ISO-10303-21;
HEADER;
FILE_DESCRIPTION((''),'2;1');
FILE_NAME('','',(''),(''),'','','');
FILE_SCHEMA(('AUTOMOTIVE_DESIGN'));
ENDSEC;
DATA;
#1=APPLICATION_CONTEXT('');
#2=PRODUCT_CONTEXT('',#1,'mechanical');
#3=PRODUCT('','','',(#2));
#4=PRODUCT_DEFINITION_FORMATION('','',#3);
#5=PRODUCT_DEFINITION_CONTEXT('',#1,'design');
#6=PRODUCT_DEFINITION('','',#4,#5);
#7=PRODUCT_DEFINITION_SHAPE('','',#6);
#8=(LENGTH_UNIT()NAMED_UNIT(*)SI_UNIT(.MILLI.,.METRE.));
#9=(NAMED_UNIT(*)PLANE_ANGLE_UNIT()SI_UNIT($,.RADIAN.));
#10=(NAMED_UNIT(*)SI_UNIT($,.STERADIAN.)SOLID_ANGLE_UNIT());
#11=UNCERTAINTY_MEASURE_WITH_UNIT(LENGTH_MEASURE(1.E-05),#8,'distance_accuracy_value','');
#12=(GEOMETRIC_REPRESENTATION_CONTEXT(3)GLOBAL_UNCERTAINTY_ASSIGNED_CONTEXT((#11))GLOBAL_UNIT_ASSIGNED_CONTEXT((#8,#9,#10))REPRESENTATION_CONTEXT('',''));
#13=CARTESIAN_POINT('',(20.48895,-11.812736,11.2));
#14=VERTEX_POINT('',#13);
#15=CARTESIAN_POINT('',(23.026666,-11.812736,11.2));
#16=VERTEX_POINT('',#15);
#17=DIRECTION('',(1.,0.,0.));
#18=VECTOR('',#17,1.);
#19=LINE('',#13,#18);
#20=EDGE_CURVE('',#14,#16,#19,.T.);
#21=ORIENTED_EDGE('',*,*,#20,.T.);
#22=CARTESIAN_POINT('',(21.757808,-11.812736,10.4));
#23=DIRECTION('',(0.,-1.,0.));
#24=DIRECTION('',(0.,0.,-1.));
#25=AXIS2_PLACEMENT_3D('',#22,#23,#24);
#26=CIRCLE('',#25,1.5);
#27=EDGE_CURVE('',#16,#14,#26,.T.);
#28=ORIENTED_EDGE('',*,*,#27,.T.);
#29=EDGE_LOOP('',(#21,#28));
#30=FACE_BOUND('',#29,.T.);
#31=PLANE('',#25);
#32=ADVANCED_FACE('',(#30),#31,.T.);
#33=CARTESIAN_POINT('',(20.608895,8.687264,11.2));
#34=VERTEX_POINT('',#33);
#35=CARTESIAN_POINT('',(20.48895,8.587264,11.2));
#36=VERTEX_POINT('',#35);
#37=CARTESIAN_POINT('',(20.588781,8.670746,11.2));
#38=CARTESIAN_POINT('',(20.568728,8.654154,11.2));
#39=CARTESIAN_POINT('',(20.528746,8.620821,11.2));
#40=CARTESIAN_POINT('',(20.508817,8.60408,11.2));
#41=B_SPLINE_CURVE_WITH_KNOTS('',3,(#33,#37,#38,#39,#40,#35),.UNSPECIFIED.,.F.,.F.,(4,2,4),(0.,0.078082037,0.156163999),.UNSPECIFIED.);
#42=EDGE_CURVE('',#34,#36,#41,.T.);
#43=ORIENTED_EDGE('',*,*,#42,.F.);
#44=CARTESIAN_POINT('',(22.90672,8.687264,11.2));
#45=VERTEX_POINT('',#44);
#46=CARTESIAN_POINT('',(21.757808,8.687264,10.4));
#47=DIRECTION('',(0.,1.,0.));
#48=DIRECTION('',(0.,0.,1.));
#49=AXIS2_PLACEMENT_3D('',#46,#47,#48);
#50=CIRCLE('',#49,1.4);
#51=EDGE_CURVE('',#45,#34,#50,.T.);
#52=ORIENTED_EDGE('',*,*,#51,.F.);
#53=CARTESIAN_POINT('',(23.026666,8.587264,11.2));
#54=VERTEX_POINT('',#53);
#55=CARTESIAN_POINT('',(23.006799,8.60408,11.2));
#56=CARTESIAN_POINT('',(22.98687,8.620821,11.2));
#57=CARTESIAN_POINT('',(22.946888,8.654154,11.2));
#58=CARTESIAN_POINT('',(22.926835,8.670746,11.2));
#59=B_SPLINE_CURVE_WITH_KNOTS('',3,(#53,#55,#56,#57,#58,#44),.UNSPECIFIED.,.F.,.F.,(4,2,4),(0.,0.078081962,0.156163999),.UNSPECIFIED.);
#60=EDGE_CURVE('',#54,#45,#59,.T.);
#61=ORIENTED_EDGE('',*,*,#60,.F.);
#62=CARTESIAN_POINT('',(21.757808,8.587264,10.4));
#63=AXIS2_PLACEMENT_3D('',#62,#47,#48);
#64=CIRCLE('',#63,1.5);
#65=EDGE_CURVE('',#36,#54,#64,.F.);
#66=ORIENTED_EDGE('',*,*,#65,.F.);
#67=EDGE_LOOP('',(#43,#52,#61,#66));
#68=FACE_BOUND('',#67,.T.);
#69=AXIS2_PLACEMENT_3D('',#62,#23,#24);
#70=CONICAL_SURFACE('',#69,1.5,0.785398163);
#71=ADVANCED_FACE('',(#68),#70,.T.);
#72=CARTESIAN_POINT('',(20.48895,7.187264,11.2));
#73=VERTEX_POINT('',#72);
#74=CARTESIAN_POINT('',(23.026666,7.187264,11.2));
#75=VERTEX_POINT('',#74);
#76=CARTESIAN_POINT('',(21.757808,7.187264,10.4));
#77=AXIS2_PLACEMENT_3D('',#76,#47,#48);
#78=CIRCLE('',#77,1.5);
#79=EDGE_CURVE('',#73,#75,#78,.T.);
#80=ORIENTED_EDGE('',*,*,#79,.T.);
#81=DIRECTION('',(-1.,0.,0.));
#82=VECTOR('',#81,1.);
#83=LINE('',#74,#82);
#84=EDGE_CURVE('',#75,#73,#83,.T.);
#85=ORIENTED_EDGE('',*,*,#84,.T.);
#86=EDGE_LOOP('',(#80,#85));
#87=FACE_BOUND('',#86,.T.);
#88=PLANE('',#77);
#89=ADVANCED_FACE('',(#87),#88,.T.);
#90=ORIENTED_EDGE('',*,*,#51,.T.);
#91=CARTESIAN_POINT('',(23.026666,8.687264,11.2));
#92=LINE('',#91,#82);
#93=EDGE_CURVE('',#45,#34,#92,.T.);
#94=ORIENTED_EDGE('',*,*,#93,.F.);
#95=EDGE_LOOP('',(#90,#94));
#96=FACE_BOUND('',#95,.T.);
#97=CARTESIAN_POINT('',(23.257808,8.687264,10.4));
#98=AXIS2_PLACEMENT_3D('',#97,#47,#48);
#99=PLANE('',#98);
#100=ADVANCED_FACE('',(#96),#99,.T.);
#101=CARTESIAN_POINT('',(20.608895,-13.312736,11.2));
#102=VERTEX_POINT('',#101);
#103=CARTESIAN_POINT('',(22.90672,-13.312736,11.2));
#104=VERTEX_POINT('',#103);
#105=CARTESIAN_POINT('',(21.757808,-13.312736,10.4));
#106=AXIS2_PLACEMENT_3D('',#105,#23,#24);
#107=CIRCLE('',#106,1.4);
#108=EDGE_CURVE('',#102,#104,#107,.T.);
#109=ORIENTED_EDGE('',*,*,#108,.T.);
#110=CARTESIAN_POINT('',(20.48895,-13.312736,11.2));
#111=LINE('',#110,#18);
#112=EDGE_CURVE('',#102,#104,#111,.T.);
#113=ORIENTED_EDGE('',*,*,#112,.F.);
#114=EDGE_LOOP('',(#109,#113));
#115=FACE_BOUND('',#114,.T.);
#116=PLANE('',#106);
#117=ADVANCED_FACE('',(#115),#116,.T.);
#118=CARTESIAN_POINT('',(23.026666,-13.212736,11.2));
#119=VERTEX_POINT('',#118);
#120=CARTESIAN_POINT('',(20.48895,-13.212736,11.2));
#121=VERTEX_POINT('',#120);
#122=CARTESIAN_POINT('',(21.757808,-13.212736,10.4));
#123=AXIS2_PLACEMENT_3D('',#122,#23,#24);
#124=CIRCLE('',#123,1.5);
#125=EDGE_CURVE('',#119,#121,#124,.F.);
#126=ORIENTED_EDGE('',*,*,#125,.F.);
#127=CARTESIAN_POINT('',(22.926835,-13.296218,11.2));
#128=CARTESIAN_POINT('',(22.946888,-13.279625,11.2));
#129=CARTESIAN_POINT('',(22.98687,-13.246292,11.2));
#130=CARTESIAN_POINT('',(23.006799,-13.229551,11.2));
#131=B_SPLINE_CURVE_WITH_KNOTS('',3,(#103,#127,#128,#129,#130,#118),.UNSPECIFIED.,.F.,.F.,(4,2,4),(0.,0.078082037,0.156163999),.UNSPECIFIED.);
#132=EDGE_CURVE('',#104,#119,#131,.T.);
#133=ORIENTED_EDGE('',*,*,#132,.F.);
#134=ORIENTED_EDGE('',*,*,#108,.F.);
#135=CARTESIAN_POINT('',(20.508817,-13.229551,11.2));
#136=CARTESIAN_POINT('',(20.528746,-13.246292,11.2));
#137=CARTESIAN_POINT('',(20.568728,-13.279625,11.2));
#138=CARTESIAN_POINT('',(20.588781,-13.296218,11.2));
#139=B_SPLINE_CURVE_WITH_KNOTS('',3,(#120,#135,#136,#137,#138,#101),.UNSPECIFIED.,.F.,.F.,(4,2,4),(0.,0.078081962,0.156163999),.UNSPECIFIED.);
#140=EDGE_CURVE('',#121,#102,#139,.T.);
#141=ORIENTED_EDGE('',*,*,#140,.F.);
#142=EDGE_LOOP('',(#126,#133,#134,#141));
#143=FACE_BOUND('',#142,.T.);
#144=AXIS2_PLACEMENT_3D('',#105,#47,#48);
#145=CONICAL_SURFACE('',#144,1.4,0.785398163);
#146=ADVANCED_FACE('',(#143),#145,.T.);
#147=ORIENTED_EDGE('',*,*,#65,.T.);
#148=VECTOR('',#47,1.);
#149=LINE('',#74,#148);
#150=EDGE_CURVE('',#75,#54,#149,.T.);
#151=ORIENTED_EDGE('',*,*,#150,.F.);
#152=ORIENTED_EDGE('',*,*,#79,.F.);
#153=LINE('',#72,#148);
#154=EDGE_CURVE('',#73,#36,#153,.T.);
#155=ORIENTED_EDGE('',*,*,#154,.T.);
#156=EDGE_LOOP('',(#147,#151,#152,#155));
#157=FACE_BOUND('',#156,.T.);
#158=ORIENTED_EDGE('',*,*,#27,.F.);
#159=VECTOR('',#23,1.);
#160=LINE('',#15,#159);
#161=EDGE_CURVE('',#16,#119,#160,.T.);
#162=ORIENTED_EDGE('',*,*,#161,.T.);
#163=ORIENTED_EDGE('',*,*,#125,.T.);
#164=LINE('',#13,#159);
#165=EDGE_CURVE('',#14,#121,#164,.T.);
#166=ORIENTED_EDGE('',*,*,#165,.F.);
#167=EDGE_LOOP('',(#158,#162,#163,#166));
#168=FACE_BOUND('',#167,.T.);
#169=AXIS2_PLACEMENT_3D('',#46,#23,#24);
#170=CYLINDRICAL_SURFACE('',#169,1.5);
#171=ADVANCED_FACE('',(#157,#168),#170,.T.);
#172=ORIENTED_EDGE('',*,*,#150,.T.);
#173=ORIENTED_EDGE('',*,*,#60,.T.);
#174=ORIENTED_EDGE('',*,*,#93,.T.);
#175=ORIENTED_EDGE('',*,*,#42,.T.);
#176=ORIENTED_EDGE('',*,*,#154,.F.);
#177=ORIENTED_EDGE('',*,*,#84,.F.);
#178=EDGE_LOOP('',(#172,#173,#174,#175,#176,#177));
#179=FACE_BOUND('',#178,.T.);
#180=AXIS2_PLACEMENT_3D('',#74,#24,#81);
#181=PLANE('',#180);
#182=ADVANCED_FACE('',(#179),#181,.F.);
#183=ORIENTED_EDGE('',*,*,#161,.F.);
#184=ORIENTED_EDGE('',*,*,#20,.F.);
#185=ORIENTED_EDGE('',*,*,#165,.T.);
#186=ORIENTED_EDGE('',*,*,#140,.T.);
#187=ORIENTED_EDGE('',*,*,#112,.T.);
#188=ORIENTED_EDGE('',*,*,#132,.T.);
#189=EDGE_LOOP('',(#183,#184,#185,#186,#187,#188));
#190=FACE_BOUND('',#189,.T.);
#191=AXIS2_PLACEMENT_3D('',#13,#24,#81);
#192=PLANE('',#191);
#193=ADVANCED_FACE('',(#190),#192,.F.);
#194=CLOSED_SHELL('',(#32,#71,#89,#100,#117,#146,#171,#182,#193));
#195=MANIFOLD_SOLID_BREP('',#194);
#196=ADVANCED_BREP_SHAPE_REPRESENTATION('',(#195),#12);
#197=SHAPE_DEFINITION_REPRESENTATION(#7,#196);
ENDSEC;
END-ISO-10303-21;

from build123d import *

# Parameters (mm, degrees)
ESQUISSE1_W             = 1.5
ESQUISSE1_H             = 22
ENL_V_MAT_EXTRU_1_DEPTH = 1.5
ENL_V_START             = -1.5
ENL_V_MAT_EXTRU_2_DEPTH = 1.5
CHANFREIN1_SIZE         = 0.1
CHANFREIN2_SIZE         = 0.1


with BuildPart() as part:
    # Esquisse1 → Révolution1 (revolve)
    with BuildSketch(Plane.XY.offset(10.4), mode=Mode.PRIVATE) as r_volution1_sk:
        with Locations((22.507807929, -2.312735583)):
            Rectangle(ESQUISSE1_W, ESQUISSE1_H)
    revolve(r_volution1_sk.sketch.rotate(Axis((21.757807929, 8.687264417, 10.4), (0, -1, 0)), 270), axis=Axis((21.757807929, 8.687264417, 10.4), (0, -1, 0)))

    # Esquisse2 → Enlèv. mat.-Extru.1 (cut)
    with BuildSketch(Plane(origin=(0, 8.687264417, 0), x_dir=(-1, 0, 0), z_dir=(0, 1, 0))):
        with BuildLine():
            Line((-23.026665683, 11.2), (-20.488950175, 11.2))
            ThreePointArc((-20.488950175, 11.2), (-21.757807929, 11.9), (-23.026665683, 11.2))
        make_face()
    extrude(amount=-ENL_V_MAT_EXTRU_1_DEPTH, mode=Mode.SUBTRACT)

    # Esquisse3 → Enlèv. mat.-Extru.2 (cut)
    with BuildSketch(Plane.XZ.offset(13.312735583).offset(ENL_V_START)):
        with BuildLine():
            Line((20.488950175, 11.2), (23.026665683, 11.2))
            ThreePointArc((23.026665683, 11.2), (21.757807929, 11.9), (20.488950175, 11.2))
        make_face()
    extrude(amount=ENL_V_MAT_EXTRU_2_DEPTH, mode=Mode.SUBTRACT)

    # Chanfrein1
    chanfrein1_edges = [part.edges().sort_by_distance(p)[0] for p in [
        (20.444415375, 8.687264417, 9.675431163),
    ]]
    chamfer(chanfrein1_edges, length=CHANFREIN1_SIZE)

    # Chanfrein2
    chanfrein2_edges = [part.edges().sort_by_distance(p)[0] for p in [
        (23.071200482, -13.312735583, 9.675431163),
    ]]
    chamfer(chanfrein2_edges, length=CHANFREIN2_SIZE)


solid = part.part
